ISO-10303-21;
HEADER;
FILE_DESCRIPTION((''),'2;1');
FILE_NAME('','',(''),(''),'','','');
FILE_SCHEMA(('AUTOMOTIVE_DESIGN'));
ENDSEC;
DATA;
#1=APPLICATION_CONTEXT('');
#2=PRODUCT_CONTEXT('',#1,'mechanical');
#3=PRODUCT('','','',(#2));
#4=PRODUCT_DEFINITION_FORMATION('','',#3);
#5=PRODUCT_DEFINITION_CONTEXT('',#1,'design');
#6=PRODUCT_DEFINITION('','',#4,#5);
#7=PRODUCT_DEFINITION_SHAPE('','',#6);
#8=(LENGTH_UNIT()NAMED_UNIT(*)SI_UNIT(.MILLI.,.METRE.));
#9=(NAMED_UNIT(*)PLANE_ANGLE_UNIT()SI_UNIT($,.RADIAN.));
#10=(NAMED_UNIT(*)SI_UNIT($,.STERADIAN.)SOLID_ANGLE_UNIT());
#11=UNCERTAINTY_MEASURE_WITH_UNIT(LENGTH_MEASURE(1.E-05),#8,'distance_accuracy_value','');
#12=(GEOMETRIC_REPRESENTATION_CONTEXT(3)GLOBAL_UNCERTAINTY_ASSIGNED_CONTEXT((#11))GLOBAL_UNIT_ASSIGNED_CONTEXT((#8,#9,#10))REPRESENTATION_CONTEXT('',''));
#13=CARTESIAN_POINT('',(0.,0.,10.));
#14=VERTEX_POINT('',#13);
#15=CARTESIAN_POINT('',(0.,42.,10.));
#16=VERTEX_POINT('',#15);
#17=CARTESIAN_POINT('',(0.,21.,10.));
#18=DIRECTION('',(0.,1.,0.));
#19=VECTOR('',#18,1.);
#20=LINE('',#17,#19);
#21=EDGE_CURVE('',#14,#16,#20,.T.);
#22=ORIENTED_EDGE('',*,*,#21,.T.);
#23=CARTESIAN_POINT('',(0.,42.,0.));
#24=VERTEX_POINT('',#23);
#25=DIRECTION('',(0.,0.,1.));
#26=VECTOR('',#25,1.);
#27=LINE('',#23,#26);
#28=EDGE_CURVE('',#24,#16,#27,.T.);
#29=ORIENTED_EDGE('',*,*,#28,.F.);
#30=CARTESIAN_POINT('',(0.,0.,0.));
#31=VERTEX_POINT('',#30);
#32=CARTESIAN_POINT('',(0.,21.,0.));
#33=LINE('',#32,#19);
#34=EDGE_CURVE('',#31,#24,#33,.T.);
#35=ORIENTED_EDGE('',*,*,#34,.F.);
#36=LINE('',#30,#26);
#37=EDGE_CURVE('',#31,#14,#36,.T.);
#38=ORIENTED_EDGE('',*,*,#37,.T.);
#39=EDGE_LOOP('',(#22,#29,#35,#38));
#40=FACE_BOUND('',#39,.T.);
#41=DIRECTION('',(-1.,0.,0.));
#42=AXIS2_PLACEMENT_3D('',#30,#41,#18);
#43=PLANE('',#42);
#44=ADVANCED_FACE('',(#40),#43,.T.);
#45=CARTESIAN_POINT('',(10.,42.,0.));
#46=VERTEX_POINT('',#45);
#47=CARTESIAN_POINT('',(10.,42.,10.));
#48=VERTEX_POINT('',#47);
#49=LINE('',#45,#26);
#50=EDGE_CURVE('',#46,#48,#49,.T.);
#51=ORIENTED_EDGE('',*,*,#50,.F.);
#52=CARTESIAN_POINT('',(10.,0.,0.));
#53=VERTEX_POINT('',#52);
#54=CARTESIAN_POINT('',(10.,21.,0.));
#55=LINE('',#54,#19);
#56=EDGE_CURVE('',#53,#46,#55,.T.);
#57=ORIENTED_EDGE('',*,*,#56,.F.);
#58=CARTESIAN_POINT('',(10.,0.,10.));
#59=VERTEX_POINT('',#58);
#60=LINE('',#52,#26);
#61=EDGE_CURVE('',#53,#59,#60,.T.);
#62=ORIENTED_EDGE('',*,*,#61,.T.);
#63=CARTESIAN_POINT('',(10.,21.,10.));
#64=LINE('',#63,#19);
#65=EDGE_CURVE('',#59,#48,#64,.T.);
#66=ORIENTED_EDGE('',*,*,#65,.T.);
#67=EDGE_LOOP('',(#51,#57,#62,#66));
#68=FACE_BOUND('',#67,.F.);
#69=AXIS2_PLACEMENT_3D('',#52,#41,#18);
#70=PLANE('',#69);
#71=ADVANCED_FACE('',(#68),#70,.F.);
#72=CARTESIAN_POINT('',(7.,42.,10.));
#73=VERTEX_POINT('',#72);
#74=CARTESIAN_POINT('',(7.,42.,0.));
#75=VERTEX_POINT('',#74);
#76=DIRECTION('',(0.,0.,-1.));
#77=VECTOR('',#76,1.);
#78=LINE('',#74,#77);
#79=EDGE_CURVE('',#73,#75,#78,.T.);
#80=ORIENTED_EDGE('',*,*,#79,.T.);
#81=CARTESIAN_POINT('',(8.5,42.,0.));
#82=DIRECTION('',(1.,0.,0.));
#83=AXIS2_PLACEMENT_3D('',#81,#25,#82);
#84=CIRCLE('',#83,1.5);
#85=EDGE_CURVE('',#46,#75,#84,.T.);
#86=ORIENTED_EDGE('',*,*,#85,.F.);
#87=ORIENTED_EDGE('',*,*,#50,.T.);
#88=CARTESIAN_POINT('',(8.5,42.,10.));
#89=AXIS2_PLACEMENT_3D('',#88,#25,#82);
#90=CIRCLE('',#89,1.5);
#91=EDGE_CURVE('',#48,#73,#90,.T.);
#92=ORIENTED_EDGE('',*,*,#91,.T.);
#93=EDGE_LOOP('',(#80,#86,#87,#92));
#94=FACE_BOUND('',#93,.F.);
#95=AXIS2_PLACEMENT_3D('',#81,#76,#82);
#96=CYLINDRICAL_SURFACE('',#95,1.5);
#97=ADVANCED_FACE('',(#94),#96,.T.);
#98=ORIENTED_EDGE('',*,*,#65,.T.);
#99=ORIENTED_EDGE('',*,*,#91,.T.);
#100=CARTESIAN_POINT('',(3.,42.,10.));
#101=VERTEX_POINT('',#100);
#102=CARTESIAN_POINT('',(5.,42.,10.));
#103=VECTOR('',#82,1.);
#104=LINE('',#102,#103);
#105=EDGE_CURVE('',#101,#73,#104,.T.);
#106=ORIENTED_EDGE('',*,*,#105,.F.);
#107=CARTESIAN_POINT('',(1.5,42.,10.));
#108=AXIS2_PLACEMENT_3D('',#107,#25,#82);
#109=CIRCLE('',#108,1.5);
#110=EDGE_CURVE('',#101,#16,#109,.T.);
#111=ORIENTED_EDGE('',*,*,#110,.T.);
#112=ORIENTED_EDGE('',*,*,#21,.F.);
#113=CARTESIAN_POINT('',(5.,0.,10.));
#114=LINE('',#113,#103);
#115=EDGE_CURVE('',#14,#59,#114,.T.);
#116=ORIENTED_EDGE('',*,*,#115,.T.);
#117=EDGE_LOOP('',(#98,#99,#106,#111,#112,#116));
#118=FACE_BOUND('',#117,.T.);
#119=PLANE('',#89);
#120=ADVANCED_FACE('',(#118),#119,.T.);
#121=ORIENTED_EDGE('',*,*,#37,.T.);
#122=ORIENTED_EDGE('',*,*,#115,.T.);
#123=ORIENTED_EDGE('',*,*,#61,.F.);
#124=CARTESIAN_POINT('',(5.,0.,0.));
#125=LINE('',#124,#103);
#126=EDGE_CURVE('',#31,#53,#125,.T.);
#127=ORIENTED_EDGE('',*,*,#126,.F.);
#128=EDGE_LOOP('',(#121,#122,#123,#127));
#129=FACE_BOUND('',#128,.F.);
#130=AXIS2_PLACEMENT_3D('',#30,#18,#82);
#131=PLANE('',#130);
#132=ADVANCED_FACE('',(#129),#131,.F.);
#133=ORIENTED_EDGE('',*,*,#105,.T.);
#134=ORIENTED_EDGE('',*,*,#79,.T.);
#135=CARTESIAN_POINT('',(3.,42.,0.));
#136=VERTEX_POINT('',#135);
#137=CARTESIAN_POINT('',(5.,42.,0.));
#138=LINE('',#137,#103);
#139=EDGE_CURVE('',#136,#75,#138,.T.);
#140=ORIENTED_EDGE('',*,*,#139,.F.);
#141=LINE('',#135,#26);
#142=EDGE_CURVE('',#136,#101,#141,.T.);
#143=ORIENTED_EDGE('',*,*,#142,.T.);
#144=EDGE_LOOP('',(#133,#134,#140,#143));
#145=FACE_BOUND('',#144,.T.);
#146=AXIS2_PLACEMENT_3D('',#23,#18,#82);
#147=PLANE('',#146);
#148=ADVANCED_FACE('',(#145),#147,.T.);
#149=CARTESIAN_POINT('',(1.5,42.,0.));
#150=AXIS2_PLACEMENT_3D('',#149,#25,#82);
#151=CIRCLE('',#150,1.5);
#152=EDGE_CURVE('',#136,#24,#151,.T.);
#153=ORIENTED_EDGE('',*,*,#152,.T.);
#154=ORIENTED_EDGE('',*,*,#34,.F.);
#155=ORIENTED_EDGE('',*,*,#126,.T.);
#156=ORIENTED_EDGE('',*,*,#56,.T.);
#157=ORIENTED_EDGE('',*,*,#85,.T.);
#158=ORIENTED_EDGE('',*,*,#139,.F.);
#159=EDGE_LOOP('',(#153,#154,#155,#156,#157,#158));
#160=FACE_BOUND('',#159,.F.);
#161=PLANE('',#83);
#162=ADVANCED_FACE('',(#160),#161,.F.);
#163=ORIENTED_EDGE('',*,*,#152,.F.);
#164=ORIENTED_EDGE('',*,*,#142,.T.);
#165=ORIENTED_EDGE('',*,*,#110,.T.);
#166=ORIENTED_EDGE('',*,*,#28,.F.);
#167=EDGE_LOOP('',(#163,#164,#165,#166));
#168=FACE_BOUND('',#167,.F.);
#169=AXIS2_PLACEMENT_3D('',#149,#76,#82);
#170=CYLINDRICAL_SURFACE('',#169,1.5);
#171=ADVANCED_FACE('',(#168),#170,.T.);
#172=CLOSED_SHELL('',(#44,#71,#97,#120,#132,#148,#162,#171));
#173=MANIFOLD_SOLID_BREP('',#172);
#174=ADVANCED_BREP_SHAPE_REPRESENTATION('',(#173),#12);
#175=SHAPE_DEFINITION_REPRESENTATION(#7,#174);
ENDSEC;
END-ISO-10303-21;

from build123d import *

# Parameters (mm, degrees)
CYLINDER001_R     = 1.5
CYLINDER001_DEPTH = 10
CYLINDER002_R     = 1.5
CYLINDER002_DEPTH = 10
BOX_W             = 10
BOX_H             = 42
BOX_DEPTH         = 10


with BuildPart() as zylinder001:
    # Cylinder001 → Cylinder001 (new body)
    with BuildSketch(Plane(origin=(1.5, 42, 0), x_dir=(1, 0, 0), z_dir=(0, 0, 1))):
        Circle(CYLINDER001_R)
    extrude(amount=CYLINDER001_DEPTH)


with BuildPart() as zylinder002:
    # Cylinder002 → Cylinder002 (new body)
    with BuildSketch(Plane(origin=(8.5, 42, 0), x_dir=(1, 0, 0), z_dir=(0, 0, 1))):
        Circle(CYLINDER002_R)
    extrude(amount=CYLINDER002_DEPTH)


with BuildPart() as fusion:
    # Box → Box (new body)
    with BuildSketch(Plane.XY):
        with Locations((5, 21)):
            Rectangle(BOX_W, BOX_H)
    extrude(amount=BOX_DEPTH)

    # Fusion: union Zylinder001, Zylinder002
    add(zylinder001.part)
    add(zylinder002.part)


solid = fusion.part
